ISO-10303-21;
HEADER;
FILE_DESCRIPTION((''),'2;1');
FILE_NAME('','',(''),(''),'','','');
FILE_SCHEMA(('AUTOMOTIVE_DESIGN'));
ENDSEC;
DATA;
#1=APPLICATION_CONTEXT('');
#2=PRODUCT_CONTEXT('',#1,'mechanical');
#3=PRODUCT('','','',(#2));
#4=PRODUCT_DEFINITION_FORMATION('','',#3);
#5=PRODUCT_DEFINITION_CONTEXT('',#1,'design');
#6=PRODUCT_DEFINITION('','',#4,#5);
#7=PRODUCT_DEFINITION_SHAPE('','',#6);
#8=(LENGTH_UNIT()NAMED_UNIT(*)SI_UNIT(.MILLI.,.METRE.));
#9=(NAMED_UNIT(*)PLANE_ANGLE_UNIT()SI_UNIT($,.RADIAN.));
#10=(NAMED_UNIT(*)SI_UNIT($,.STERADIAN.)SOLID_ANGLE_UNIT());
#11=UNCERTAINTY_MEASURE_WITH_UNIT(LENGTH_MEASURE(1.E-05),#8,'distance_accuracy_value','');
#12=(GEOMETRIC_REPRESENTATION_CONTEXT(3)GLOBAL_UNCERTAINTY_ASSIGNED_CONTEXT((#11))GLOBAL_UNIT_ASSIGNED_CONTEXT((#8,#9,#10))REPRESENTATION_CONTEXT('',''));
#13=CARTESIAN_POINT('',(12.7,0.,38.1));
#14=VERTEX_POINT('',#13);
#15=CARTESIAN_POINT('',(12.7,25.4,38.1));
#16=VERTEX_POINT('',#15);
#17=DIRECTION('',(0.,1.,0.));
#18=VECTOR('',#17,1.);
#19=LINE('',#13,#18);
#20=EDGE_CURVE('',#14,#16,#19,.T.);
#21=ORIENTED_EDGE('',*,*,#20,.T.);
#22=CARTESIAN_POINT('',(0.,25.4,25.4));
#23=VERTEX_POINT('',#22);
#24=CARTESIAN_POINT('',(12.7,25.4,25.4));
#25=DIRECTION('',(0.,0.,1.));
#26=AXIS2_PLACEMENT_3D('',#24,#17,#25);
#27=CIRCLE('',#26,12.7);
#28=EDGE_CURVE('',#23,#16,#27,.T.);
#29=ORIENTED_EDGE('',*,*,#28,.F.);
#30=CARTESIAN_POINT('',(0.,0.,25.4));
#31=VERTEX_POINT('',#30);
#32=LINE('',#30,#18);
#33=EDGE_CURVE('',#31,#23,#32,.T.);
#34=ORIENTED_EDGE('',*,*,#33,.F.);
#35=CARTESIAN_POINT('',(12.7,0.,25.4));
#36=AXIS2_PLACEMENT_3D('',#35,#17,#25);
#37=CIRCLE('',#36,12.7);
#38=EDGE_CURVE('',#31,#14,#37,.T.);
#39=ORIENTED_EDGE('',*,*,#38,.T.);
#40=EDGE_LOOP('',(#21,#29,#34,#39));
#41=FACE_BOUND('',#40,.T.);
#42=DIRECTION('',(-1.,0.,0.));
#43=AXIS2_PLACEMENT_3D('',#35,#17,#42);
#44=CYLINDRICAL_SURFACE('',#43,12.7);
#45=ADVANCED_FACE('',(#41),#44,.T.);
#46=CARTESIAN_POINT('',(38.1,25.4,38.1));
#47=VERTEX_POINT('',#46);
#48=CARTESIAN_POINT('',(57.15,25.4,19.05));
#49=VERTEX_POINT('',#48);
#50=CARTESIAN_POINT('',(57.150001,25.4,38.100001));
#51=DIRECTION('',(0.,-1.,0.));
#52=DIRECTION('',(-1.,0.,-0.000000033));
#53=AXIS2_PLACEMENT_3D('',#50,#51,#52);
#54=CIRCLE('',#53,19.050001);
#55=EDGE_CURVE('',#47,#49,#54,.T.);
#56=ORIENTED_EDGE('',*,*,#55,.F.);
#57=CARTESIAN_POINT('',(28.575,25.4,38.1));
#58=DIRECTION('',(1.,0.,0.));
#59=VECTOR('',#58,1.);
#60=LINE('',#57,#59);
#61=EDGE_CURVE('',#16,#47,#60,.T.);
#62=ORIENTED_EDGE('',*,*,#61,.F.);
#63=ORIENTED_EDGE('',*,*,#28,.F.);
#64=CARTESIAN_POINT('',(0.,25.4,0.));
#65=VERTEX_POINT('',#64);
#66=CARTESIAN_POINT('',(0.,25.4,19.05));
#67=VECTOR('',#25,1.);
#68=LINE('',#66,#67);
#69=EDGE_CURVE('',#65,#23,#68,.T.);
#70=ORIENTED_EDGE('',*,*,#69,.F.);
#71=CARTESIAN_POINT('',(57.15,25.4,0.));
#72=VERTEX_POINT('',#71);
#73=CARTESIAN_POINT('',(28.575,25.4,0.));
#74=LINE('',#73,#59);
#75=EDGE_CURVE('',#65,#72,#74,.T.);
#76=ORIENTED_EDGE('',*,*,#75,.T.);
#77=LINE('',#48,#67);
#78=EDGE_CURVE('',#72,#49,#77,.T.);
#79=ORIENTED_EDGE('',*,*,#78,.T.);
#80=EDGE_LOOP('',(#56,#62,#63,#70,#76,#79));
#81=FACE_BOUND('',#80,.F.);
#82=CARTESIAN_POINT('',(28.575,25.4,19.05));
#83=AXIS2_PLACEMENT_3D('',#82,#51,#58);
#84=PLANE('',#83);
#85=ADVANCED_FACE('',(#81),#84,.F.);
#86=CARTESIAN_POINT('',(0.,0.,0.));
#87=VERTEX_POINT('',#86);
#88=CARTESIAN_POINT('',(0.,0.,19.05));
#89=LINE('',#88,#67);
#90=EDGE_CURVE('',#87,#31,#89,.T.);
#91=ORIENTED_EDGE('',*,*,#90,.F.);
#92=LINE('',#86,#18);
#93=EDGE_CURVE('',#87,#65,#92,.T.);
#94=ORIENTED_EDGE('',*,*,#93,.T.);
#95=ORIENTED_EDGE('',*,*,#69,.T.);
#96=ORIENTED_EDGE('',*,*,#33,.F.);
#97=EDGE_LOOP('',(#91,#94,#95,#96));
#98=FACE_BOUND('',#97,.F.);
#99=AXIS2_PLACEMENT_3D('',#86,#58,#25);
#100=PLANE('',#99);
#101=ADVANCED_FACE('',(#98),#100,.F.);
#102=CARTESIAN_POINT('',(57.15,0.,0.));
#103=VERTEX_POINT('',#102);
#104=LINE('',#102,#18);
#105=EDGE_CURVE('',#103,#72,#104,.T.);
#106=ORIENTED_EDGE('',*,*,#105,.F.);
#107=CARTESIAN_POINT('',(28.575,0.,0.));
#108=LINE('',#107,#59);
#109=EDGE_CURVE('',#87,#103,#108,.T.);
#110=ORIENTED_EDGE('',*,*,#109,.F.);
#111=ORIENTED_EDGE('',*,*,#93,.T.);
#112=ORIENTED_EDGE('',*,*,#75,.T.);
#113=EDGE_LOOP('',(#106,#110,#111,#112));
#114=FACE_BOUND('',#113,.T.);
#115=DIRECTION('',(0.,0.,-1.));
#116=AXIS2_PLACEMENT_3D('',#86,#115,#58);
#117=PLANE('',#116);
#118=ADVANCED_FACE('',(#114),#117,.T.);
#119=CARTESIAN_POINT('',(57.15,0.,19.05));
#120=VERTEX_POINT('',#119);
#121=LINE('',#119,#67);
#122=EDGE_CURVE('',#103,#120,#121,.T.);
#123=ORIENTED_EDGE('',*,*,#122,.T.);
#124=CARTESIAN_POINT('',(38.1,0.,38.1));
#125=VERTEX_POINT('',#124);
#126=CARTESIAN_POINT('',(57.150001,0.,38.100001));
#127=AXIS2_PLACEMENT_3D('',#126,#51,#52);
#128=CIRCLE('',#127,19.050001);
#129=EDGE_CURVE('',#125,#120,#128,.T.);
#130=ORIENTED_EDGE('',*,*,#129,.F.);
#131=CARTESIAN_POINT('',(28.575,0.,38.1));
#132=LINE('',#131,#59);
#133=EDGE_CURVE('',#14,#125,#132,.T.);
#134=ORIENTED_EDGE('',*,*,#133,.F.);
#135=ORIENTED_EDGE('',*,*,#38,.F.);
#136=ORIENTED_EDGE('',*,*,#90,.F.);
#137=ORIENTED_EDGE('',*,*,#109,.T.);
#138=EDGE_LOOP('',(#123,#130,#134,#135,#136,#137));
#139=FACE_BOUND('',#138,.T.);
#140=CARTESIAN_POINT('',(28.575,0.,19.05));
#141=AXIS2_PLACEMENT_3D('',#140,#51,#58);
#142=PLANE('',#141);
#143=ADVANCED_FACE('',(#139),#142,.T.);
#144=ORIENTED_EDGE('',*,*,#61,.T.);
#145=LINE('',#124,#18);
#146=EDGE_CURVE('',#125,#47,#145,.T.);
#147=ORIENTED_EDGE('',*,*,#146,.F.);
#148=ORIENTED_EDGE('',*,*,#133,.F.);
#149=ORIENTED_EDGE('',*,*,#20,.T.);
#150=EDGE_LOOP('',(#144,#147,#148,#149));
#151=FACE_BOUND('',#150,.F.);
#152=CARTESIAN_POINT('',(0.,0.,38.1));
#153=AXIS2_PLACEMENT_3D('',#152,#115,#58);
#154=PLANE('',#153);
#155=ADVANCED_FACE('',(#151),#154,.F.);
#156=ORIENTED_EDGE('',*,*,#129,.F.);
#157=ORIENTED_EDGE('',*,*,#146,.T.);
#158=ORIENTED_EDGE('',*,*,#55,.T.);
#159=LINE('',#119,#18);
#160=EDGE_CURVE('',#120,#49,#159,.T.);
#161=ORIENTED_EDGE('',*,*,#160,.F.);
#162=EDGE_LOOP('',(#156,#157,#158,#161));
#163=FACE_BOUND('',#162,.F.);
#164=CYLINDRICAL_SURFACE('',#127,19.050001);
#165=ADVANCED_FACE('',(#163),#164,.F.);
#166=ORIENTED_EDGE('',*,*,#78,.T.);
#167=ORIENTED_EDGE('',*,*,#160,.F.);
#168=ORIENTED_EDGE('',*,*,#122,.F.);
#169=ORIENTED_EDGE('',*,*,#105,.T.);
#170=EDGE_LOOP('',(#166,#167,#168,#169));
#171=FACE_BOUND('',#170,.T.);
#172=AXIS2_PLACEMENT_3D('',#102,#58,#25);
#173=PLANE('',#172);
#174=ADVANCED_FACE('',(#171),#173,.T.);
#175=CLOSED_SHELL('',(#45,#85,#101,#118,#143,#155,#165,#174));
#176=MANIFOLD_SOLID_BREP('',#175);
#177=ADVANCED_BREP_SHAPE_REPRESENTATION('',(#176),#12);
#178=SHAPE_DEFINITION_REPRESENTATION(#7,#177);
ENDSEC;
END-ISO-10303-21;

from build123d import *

# Parameters (mm, degrees)
F0_W     = 57.15
F0_H     = 38.1
F1_DEPTH = 25.4
F3_DEPTH = 25.4
F4_R     = 12.7


with BuildPart() as f1:
    # F0 (on Front) → F1 (new body)
    with BuildSketch(Plane.XZ):
        with Locations((28.575, 19.05)):
            Rectangle(F0_W, F0_H)
    extrude(amount=-F1_DEPTH)

    # F2 (on face) → F3 (cut)
    with BuildSketch(Plane.XZ):
        with BuildLine():
            Line((57.15, 38.1), (38.1, 38.1))
            ThreePointArc((38.1, 38.1), (43.679616, 24.629616), (57.15, 19.05))
            Line((57.15, 19.05), (57.15, 38.1))
        make_face()
    extrude(amount=-F3_DEPTH, mode=Mode.SUBTRACT)

    # F4
    f4_edges = [f1.edges().sort_by_distance(p)[0] for p in [
        (0, 12.7, 38.1),
    ]]
    fillet(f4_edges, radius=F4_R)


solid = f1.part
